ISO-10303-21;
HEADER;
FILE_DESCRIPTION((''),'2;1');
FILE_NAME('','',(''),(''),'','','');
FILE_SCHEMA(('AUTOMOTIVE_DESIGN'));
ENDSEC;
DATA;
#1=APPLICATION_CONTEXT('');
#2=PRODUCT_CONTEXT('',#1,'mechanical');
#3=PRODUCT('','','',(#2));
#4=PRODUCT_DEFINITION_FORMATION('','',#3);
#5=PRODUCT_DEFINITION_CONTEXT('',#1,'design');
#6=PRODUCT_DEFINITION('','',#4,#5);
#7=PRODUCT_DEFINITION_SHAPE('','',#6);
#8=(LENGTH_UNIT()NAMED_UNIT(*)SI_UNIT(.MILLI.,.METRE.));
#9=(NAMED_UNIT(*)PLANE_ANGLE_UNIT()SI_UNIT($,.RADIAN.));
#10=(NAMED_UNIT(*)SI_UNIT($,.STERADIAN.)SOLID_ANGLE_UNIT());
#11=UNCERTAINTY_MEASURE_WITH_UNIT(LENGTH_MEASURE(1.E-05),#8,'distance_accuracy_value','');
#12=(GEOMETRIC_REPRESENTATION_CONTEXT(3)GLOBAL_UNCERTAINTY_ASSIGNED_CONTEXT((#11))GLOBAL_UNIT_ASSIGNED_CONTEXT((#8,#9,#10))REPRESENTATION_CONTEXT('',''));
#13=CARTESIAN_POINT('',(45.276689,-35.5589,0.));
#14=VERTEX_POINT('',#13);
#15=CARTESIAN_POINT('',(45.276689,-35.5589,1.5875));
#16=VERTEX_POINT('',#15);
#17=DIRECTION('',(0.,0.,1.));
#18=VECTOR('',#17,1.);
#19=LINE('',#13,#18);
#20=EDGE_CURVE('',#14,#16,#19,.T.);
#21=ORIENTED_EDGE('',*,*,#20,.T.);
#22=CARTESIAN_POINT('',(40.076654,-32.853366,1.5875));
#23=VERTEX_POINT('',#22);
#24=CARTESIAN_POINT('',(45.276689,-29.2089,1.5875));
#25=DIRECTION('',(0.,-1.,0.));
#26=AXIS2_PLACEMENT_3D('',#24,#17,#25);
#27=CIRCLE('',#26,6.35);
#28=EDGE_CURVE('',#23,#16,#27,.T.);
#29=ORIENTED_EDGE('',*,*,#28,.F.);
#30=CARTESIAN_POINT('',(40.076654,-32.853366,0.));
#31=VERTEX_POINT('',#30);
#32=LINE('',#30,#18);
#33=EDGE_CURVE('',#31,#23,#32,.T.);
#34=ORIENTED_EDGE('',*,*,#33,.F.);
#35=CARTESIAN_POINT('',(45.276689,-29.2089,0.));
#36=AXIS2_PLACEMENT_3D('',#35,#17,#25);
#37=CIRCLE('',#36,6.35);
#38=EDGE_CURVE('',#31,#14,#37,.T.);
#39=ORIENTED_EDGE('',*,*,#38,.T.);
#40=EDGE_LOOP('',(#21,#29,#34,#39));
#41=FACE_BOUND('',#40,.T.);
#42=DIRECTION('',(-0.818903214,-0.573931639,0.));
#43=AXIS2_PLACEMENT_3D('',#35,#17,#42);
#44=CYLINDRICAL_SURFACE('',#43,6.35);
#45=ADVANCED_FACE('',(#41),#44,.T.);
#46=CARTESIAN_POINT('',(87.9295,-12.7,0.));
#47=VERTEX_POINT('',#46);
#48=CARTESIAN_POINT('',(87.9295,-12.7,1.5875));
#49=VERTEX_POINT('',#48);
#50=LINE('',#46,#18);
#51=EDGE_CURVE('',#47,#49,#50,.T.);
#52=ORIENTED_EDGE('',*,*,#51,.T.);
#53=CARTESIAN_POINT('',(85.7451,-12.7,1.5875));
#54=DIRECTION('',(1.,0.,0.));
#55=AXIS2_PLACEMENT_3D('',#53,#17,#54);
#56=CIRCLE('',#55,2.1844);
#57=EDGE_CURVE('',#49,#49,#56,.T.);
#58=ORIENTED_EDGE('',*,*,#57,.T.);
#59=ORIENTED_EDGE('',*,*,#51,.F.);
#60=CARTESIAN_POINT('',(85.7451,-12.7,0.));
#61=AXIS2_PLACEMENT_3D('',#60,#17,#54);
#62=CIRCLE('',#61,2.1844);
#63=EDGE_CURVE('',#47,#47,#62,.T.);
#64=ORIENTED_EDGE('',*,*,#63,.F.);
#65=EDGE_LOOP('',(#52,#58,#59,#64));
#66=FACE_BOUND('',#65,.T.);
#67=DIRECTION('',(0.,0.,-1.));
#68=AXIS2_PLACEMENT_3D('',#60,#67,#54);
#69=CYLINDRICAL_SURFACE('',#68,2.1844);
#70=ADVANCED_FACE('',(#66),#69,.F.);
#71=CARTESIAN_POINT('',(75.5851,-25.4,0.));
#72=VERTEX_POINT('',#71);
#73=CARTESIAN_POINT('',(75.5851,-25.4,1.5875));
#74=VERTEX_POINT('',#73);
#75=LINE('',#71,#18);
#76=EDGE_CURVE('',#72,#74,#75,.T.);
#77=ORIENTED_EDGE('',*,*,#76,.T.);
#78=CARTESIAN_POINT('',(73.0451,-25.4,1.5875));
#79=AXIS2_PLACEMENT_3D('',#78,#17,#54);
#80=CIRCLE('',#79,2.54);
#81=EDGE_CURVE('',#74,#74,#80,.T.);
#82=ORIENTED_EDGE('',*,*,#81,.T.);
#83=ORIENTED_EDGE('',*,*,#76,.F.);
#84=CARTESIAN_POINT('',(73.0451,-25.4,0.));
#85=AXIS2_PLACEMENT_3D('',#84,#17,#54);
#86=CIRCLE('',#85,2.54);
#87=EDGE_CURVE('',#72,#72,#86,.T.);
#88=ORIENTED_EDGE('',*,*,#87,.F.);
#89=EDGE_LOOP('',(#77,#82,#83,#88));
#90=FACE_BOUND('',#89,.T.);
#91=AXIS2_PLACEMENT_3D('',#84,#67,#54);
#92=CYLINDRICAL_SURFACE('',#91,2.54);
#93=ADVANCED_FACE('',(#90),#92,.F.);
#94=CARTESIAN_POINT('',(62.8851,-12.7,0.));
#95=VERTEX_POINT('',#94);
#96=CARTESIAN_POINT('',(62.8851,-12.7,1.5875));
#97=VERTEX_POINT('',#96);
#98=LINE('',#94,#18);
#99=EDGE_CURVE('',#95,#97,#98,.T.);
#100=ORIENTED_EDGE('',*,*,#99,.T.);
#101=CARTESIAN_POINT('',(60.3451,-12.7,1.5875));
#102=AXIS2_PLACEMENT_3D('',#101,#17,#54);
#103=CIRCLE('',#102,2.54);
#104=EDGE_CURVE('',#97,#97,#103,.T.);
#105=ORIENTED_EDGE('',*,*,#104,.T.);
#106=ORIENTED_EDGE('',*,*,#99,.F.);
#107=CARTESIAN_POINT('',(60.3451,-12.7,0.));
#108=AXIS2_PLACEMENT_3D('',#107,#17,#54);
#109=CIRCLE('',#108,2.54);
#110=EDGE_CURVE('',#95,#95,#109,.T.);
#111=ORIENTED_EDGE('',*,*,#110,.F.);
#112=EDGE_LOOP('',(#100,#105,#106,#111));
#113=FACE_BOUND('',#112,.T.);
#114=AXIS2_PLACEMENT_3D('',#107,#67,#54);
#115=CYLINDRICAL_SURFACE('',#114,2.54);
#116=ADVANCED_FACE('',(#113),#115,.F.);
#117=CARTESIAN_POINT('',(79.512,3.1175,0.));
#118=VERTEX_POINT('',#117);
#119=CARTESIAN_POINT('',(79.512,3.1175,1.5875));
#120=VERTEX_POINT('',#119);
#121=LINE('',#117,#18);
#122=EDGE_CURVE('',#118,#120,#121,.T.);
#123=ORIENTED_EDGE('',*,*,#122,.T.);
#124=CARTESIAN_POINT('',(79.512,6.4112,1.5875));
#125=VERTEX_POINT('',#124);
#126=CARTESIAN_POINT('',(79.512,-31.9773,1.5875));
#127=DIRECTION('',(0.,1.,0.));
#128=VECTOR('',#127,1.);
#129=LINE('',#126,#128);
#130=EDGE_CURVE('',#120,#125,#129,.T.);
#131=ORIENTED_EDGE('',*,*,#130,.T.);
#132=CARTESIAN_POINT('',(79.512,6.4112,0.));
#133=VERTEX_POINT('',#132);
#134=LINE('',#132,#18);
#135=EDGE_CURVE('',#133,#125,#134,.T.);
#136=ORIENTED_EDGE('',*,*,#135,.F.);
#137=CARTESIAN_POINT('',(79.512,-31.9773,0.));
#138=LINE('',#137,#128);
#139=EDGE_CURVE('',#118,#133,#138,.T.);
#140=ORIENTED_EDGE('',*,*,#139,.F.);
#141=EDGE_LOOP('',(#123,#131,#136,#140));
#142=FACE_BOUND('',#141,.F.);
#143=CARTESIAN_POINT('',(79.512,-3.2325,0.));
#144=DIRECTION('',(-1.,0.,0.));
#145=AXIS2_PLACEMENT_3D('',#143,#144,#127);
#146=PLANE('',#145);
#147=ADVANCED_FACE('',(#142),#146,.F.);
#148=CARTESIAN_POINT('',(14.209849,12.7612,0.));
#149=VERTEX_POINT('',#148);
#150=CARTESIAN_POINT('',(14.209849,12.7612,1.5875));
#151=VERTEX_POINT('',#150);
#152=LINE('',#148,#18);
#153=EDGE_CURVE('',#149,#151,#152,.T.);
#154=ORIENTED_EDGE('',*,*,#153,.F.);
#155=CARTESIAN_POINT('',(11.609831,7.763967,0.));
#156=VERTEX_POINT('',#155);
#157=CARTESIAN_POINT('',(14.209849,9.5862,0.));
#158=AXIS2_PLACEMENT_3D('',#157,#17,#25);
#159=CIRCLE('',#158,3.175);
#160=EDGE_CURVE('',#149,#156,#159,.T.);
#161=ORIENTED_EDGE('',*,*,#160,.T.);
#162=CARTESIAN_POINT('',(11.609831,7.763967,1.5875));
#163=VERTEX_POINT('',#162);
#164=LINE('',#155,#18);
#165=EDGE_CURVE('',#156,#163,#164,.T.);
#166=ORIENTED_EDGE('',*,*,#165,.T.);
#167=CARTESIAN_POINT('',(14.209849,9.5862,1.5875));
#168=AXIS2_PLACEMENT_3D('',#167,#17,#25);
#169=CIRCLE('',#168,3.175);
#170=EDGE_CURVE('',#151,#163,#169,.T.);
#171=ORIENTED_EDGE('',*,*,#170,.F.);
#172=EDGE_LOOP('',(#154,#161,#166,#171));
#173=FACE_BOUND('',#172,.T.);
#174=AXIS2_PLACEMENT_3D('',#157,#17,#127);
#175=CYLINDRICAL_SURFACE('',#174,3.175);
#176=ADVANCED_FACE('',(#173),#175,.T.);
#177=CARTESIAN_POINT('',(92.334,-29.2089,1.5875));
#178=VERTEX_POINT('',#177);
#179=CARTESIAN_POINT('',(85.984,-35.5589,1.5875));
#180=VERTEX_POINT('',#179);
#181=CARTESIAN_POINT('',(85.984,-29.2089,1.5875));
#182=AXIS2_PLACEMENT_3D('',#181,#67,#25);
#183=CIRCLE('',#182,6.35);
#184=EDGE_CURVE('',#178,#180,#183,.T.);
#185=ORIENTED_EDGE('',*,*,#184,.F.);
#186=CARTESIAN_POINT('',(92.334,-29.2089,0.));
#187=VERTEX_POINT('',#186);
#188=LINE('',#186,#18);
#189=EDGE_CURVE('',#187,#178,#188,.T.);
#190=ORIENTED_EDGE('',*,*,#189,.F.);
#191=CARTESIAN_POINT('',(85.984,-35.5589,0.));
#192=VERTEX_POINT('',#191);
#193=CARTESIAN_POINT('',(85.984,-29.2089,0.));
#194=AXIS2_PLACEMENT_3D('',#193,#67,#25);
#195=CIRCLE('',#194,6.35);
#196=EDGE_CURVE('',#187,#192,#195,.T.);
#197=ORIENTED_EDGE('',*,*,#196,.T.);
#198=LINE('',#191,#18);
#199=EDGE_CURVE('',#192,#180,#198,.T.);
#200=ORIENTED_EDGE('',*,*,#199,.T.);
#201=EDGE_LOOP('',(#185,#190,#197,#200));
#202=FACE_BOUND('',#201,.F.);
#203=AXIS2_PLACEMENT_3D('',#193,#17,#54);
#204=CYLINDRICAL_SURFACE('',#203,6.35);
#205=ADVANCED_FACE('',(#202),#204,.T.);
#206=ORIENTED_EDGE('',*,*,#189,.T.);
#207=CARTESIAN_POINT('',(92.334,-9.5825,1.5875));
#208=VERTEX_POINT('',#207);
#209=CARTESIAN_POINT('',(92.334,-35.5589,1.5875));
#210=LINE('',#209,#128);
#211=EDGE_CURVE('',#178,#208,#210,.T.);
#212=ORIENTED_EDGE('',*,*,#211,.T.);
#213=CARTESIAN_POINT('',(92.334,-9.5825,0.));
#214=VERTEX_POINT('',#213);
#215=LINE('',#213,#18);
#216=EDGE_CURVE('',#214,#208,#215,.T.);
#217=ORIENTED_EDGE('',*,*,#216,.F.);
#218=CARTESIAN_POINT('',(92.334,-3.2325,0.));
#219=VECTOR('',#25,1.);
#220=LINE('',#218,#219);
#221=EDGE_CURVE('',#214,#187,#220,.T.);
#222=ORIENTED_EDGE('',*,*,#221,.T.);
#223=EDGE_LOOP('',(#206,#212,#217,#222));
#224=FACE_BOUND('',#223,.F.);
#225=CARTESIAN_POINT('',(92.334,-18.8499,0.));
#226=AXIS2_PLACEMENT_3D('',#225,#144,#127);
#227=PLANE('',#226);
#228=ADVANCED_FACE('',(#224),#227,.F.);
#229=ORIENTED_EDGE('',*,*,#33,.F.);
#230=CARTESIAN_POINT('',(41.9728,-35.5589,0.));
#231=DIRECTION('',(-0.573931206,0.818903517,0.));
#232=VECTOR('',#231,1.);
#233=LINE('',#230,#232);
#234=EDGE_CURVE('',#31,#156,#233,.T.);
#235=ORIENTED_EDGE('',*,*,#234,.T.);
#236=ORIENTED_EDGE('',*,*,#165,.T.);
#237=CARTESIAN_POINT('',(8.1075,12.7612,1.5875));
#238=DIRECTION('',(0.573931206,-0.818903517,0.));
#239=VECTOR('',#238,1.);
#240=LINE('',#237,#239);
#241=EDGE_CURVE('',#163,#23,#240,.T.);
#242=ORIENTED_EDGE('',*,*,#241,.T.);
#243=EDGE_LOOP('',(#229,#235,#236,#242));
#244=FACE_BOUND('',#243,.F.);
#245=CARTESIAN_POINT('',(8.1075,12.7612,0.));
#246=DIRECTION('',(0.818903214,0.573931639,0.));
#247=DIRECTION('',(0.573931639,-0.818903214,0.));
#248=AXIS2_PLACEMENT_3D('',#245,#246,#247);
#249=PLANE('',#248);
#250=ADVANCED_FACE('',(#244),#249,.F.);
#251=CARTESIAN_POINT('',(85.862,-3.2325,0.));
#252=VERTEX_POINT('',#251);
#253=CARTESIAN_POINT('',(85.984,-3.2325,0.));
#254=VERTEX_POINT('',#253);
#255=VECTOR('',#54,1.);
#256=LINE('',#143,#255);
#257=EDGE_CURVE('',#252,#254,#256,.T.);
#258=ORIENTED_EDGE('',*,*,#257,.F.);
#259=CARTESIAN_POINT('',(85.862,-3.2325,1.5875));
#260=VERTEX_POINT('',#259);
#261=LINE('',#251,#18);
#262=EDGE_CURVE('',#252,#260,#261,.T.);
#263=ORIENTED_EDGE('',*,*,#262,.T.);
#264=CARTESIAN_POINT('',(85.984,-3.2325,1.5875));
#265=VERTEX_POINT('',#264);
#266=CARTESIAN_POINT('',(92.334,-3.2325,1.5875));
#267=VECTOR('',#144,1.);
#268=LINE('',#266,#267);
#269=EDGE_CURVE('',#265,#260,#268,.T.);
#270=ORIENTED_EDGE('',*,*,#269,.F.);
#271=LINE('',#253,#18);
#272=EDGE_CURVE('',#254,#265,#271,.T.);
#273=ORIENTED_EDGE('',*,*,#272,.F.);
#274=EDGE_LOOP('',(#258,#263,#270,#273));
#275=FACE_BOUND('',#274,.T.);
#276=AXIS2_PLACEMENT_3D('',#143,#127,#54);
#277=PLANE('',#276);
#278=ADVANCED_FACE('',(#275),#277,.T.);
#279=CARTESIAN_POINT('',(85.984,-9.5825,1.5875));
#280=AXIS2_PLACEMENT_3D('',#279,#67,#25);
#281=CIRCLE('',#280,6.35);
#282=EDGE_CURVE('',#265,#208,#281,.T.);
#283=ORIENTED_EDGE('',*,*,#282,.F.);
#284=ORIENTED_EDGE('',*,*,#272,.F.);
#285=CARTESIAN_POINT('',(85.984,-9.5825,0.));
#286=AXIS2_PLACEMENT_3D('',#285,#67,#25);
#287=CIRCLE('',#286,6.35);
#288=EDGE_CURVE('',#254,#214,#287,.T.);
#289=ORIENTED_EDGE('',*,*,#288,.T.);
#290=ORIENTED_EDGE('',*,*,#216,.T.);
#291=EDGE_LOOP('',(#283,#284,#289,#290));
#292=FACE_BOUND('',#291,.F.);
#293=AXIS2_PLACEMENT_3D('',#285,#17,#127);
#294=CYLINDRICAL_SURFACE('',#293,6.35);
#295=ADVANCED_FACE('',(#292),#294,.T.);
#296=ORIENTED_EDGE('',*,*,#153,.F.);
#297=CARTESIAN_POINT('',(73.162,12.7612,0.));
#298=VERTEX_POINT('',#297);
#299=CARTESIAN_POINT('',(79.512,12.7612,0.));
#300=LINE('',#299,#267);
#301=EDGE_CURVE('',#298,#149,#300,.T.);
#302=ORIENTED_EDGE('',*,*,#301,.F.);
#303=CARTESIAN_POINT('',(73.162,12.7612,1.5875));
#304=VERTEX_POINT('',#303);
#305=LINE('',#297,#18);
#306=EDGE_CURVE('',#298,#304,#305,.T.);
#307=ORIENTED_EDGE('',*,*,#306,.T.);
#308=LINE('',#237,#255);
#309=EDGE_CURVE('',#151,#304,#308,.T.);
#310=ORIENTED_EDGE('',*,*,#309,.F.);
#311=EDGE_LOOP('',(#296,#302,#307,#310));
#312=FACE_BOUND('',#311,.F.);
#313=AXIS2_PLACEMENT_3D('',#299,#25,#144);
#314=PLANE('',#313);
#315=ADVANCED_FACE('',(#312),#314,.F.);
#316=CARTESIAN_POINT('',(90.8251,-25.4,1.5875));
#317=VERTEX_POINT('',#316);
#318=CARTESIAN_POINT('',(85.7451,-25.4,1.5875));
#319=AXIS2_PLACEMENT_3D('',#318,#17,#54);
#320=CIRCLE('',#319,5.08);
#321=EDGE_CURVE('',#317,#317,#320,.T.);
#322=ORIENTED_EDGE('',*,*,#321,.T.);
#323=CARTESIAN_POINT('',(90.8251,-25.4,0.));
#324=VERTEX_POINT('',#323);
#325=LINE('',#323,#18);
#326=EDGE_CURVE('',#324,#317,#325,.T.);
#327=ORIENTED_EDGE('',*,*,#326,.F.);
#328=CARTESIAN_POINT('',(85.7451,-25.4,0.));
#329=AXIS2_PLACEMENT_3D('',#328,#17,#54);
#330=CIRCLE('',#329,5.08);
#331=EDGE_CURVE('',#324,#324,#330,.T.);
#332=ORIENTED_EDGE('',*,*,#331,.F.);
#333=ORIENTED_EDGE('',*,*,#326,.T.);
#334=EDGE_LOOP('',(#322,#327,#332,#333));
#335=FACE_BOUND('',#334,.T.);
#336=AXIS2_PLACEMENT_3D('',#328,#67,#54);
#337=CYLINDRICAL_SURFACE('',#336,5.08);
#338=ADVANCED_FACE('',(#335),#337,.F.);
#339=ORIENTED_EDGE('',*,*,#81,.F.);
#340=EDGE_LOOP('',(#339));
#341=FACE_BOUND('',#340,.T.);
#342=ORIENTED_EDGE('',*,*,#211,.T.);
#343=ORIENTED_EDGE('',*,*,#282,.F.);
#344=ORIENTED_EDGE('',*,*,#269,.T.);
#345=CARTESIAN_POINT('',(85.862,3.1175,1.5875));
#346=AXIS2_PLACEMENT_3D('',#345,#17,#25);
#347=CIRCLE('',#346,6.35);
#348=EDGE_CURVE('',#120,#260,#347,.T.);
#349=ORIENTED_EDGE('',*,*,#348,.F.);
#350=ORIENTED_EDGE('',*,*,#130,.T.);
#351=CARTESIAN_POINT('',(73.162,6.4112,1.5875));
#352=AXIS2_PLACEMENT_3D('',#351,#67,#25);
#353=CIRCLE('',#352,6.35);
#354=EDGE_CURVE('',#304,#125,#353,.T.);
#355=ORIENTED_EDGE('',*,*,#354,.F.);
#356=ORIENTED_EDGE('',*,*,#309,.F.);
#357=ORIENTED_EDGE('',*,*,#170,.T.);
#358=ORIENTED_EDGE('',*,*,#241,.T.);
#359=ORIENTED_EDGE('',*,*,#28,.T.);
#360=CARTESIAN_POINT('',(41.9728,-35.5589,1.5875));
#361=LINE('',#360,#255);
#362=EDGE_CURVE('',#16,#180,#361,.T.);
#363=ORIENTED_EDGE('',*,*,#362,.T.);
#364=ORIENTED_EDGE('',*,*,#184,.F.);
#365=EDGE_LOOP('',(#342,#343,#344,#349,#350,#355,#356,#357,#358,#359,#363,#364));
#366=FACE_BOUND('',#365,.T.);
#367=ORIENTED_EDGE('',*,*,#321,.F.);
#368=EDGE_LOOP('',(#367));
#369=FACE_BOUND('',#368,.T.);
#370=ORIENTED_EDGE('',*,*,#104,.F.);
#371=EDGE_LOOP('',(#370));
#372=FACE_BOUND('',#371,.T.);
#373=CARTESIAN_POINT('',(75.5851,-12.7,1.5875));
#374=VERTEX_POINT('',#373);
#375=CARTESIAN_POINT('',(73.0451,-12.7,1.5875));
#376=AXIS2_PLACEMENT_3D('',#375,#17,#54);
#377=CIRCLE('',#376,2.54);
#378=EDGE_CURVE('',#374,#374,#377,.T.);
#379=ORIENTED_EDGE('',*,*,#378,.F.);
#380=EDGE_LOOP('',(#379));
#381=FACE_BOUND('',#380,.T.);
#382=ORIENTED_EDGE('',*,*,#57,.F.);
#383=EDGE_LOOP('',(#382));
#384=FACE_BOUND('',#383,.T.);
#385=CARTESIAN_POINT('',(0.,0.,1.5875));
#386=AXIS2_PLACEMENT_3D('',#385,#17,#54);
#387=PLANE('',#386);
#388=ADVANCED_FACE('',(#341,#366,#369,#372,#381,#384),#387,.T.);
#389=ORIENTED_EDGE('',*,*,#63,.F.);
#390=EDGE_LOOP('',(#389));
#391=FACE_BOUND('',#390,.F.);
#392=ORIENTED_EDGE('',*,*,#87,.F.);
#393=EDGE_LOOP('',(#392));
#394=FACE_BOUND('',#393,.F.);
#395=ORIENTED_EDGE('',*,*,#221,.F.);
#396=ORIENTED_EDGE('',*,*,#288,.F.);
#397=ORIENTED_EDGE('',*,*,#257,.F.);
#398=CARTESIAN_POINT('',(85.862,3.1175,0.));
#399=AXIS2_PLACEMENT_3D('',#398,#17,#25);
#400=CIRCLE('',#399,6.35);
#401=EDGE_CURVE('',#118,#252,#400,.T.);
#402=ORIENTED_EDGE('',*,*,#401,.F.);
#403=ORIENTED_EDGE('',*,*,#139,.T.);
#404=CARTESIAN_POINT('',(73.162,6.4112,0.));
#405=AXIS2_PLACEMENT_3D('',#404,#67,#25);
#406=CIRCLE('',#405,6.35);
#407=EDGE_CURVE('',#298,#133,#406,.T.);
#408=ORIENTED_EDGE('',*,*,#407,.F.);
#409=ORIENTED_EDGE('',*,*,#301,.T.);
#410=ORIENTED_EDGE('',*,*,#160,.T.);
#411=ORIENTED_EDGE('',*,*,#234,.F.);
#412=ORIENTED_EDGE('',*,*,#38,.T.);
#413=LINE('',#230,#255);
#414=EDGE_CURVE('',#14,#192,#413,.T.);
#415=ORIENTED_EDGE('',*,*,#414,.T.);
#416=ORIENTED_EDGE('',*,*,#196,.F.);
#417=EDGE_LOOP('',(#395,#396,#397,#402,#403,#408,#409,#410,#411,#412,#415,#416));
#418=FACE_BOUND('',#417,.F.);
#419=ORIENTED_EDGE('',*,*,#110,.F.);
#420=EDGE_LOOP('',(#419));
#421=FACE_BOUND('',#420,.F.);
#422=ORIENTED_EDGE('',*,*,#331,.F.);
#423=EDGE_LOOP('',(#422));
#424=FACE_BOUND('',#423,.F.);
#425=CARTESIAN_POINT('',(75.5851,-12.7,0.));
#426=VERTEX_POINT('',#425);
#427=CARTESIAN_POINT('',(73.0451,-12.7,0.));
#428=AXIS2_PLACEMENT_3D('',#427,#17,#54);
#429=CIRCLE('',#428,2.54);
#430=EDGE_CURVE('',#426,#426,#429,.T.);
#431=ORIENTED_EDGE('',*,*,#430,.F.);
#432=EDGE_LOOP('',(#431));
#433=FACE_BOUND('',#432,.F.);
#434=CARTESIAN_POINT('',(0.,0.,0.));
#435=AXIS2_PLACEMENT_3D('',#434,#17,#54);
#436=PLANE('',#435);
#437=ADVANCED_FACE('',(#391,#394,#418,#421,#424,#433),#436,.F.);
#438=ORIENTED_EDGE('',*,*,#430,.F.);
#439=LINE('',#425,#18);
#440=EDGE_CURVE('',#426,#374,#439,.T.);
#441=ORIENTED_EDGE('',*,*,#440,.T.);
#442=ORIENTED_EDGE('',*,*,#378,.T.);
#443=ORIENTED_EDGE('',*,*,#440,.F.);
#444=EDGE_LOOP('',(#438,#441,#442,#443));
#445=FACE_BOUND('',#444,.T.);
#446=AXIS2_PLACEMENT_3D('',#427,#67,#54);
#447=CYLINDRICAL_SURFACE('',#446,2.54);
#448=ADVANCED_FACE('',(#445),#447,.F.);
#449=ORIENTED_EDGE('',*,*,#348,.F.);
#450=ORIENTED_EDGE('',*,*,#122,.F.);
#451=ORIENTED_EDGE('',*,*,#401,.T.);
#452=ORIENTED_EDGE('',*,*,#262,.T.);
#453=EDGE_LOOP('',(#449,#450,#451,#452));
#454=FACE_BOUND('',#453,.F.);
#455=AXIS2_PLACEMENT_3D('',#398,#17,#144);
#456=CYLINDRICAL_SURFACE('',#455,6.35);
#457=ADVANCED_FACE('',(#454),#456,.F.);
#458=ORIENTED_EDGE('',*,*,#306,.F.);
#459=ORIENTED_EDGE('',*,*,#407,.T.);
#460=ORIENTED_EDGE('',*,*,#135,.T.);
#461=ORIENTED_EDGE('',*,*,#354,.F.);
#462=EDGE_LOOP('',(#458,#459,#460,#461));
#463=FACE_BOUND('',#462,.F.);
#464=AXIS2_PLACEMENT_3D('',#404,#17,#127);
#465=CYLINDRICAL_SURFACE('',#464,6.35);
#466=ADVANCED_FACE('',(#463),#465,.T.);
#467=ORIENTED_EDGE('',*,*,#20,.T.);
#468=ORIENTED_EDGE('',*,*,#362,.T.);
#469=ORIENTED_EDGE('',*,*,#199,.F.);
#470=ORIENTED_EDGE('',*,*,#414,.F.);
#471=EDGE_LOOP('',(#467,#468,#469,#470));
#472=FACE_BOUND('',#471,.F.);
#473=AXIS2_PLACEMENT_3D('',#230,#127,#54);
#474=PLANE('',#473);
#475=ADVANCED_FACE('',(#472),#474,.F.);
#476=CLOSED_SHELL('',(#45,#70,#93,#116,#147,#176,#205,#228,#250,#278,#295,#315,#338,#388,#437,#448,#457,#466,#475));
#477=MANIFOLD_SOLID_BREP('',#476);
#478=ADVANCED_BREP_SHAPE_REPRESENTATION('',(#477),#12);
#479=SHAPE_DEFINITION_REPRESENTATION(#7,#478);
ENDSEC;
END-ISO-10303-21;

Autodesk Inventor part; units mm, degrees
ref_plane "YZ Plane" through (0, 0, 0) normal (1, 0, 0) x (0, 1, 0)
ref_plane "XZ Plane" through (0, 0, 0) normal (0, 1, 0) x (-1, 0, 0)
ref_plane "XY Plane" through (0, 0, 0) normal (0, 0, 1) x (1, 0, 0)
sketch "Sketch1" plane through (0, 0, 0) normal (0, 0, 1) x (1, 0, 0)
  line L0 (47.6451, -34.29) -> (92.334, -34.29)
  line L1 (47.6451, -34.29) -> (41.1035, -34.29)
  line L2 (39.8575, 12.7612) -> (31.599, 12.7612)
  line L3 (39.8575, 12.7612) -> (20.8075, 12.7612)
  line L4 (79.512, 12.7612) -> (37.4294, 12.7612)
  line L5 (79.512, -31.9773) -> (79.512, 12.7612)
  line L6 (92.334, -18.8499) -> (92.334, 1.5256)
  line L7 (92.334, -18.8499) -> (92.334, -34.29)
  circle A0 centre (85.7451, -25.4) radius 3.9624
  circle A1 centre (85.7451, -12.7) radius 2.1844
  circle A2 centre (73.0451, -12.7) radius 2.54
  circle A3 centre (60.3451, -12.7) radius 2.54
  circle A4 centre (73.0451, -25.4) radius 2.54
  line L8 (-341.1851, -3.2325) -> (91.1147, -3.2325)
  line L9 (25.7365, 2.0147) -> (20.8075, 12.7612)
  line L10 (91.1147, -3.2325) -> (92.334, -3.2325)
  circle A5 centre (85.7451, -25.4) radius 5.08
  line L11 (39.8575, 12.7612) -> (8.1075, 12.7612)
  line L12 (8.1075, 12.7612) -> (56.4583, -56.2272)
  line L13 (41.1035, -35.5589) -> (41.9728, -35.5589)
  line L14 (41.9728, -35.5589) -> (92.334, -35.5589)
  line L15 (92.334, -35.5589) -> (92.334, -34.29)
  point P0 (0, 0)
  point P1 (0, 0)
  point P2 (41.3274, -31.9773)
  point P3 (79.512, -18.8499)
  point P4 (79.512, -3.2325)
  point P5 (79.512, -3.2325)
  dimension "d0" = 19.05
  dimension "d1" = 432.2999
  dimension "d2" = 10.16
  dimension "d3" = 31.75
extrude "Extrusion1" add sketch "Sketch1" along normal blind 1.5875 contours L4 L5 L8 L12 L11 L3 L2 | L8 L10 L6 L7 L15 L14 L12
fillet "Fillet1" radius 6.35 5 edges at (79.512, 12.7612, 0.7937) (79.512, -3.2325, 0.7937) (92.334, -3.2325, 0.7937) (92.334, -35.5589, 0.7937) (41.9728, -35.5589, 0.7937)
fillet "Fillet2" radius 3.175 1 edges at (8.1075, 12.7612, 0.7937)
properties part number "Sleds poly V4"
